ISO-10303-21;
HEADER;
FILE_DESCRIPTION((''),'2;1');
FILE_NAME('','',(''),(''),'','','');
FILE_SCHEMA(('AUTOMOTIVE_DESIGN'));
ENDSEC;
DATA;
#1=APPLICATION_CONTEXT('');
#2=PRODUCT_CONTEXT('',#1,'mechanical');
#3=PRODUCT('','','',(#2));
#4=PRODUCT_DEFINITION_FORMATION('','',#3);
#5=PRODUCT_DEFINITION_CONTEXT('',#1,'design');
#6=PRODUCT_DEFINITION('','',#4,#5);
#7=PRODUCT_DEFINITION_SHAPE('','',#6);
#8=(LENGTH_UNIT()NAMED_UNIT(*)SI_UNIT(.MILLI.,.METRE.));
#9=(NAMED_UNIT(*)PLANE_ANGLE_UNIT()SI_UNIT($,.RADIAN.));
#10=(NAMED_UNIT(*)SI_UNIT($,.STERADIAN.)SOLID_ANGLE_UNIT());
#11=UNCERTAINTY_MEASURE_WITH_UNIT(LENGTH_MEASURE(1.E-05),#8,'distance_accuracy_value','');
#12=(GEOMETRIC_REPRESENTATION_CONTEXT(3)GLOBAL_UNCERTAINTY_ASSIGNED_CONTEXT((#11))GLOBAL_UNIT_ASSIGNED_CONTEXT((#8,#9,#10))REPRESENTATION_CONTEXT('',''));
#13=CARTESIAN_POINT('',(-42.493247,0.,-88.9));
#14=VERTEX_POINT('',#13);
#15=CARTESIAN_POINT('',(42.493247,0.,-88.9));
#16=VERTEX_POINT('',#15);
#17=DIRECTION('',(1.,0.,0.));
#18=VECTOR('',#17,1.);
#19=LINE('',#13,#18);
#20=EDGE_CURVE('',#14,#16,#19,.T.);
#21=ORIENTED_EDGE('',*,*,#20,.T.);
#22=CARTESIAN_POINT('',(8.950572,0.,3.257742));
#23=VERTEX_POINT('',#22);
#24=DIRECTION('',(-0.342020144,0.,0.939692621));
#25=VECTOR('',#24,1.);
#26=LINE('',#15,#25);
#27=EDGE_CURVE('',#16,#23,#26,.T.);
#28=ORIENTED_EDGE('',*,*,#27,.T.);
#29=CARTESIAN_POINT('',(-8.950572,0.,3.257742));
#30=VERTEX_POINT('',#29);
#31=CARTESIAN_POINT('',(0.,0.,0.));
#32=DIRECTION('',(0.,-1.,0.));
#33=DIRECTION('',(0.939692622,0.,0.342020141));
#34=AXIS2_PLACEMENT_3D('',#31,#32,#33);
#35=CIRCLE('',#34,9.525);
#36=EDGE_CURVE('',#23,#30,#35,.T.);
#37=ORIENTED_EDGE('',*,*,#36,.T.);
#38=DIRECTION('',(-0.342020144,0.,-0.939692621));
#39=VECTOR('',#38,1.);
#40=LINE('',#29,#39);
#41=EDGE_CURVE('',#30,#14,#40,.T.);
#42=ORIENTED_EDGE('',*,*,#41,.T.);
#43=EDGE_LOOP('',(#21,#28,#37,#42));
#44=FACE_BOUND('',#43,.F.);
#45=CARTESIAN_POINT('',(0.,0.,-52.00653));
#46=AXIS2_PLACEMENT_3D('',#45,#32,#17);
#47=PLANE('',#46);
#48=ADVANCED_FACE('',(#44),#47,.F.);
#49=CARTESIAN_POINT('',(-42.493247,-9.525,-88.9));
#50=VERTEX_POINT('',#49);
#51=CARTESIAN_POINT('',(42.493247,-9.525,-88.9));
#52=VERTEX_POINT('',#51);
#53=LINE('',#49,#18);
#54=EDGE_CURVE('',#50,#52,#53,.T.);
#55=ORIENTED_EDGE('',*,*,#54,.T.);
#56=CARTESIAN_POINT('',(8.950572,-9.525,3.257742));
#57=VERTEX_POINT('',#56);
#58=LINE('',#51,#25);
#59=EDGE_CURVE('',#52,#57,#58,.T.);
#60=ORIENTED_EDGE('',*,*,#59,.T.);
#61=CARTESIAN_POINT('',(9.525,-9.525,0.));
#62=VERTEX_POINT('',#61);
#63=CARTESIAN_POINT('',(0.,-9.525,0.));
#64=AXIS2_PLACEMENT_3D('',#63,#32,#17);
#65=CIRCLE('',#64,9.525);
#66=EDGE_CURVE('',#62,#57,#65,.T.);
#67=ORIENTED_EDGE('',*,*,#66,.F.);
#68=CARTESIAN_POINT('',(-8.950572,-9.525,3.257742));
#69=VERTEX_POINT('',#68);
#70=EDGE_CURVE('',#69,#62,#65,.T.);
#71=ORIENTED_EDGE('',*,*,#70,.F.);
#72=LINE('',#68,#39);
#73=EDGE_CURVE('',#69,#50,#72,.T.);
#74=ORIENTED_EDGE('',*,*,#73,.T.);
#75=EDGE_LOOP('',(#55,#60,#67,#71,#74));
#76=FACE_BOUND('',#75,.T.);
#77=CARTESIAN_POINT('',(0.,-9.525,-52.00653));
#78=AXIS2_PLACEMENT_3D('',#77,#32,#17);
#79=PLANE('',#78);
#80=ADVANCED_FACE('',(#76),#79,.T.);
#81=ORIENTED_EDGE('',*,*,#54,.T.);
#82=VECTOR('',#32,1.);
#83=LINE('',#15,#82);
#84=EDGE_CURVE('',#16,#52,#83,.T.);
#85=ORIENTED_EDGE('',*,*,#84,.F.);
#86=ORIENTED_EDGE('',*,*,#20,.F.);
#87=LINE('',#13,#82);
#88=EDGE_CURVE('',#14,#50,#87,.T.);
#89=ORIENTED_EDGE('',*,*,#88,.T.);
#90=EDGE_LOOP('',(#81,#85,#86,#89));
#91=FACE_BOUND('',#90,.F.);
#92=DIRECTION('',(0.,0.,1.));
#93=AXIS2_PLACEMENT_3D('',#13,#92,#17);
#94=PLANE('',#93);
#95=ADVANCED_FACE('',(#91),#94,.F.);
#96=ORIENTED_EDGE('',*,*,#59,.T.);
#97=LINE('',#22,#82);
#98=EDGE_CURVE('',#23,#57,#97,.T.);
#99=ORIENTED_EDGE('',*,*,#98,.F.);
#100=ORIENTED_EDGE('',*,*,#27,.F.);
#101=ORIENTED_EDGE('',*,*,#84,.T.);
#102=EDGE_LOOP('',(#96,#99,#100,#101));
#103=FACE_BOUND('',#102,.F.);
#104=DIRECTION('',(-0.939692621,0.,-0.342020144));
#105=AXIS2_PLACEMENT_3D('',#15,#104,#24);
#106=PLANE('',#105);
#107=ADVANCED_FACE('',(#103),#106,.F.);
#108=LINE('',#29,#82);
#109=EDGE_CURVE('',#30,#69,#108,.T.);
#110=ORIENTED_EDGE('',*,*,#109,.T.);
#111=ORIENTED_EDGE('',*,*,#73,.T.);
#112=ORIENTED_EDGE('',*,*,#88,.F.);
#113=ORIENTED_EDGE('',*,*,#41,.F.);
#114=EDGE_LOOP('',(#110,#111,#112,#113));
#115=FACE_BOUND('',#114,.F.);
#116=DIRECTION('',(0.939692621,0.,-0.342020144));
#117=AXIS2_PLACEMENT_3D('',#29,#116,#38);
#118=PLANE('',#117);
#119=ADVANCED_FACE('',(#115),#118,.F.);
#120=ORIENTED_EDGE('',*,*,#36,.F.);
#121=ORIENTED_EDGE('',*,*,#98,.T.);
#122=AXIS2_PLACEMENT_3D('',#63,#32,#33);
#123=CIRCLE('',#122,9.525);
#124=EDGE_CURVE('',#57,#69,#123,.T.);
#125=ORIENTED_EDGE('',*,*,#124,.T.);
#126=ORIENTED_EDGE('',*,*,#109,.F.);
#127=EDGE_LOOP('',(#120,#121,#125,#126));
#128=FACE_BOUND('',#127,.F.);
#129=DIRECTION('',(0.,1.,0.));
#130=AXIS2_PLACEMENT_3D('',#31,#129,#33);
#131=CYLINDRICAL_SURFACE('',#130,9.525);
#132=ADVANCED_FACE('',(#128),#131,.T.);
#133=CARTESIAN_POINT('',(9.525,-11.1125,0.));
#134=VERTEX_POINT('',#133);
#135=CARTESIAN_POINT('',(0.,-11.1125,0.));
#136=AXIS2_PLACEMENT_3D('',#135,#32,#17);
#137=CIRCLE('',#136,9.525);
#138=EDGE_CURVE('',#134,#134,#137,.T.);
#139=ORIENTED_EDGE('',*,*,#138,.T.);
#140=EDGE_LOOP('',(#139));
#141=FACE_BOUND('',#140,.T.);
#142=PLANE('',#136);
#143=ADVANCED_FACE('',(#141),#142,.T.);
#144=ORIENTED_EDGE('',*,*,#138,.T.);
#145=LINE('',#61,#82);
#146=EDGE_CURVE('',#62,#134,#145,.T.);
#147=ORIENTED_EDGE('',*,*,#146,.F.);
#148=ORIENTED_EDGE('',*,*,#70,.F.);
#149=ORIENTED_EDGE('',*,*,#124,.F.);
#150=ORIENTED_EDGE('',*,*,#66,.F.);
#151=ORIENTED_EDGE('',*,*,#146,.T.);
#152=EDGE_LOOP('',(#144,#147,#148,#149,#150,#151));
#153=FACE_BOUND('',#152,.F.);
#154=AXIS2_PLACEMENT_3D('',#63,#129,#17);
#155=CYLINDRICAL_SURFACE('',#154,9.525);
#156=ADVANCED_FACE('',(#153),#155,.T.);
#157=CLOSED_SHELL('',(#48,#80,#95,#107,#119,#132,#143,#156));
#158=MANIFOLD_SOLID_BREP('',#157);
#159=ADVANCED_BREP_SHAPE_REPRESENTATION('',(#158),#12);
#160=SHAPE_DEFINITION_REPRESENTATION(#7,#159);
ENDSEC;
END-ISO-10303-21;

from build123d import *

# Parameters (mm, degrees)
F1_DEPTH = 9.525
F2_R     = 9.525
F3_DEPTH = 1.5875


with BuildPart() as f1:
    # F0 (on Front) → F1 (new body)
    with BuildSketch(Plane.XZ):
        with BuildLine():
            Line((42.493247, -88.9), (8.950572, 3.257742))
            ThreePointArc((8.950572, 3.257742), (0, 9.525), (-8.950572, 3.257742))
            Line((-8.950572, 3.257742), (-42.493247, -88.9))
            Line((-42.493247, -88.9), (0, -88.9))
            Line((0, -88.9), (42.493247, -88.9))
        make_face()
    extrude(amount=F1_DEPTH)

    # F2 (on face) → F3 (join)
    with BuildSketch(Plane.XZ.offset(9.525)):
        Circle(F2_R)
    extrude(amount=F3_DEPTH)


solid = f1.part
